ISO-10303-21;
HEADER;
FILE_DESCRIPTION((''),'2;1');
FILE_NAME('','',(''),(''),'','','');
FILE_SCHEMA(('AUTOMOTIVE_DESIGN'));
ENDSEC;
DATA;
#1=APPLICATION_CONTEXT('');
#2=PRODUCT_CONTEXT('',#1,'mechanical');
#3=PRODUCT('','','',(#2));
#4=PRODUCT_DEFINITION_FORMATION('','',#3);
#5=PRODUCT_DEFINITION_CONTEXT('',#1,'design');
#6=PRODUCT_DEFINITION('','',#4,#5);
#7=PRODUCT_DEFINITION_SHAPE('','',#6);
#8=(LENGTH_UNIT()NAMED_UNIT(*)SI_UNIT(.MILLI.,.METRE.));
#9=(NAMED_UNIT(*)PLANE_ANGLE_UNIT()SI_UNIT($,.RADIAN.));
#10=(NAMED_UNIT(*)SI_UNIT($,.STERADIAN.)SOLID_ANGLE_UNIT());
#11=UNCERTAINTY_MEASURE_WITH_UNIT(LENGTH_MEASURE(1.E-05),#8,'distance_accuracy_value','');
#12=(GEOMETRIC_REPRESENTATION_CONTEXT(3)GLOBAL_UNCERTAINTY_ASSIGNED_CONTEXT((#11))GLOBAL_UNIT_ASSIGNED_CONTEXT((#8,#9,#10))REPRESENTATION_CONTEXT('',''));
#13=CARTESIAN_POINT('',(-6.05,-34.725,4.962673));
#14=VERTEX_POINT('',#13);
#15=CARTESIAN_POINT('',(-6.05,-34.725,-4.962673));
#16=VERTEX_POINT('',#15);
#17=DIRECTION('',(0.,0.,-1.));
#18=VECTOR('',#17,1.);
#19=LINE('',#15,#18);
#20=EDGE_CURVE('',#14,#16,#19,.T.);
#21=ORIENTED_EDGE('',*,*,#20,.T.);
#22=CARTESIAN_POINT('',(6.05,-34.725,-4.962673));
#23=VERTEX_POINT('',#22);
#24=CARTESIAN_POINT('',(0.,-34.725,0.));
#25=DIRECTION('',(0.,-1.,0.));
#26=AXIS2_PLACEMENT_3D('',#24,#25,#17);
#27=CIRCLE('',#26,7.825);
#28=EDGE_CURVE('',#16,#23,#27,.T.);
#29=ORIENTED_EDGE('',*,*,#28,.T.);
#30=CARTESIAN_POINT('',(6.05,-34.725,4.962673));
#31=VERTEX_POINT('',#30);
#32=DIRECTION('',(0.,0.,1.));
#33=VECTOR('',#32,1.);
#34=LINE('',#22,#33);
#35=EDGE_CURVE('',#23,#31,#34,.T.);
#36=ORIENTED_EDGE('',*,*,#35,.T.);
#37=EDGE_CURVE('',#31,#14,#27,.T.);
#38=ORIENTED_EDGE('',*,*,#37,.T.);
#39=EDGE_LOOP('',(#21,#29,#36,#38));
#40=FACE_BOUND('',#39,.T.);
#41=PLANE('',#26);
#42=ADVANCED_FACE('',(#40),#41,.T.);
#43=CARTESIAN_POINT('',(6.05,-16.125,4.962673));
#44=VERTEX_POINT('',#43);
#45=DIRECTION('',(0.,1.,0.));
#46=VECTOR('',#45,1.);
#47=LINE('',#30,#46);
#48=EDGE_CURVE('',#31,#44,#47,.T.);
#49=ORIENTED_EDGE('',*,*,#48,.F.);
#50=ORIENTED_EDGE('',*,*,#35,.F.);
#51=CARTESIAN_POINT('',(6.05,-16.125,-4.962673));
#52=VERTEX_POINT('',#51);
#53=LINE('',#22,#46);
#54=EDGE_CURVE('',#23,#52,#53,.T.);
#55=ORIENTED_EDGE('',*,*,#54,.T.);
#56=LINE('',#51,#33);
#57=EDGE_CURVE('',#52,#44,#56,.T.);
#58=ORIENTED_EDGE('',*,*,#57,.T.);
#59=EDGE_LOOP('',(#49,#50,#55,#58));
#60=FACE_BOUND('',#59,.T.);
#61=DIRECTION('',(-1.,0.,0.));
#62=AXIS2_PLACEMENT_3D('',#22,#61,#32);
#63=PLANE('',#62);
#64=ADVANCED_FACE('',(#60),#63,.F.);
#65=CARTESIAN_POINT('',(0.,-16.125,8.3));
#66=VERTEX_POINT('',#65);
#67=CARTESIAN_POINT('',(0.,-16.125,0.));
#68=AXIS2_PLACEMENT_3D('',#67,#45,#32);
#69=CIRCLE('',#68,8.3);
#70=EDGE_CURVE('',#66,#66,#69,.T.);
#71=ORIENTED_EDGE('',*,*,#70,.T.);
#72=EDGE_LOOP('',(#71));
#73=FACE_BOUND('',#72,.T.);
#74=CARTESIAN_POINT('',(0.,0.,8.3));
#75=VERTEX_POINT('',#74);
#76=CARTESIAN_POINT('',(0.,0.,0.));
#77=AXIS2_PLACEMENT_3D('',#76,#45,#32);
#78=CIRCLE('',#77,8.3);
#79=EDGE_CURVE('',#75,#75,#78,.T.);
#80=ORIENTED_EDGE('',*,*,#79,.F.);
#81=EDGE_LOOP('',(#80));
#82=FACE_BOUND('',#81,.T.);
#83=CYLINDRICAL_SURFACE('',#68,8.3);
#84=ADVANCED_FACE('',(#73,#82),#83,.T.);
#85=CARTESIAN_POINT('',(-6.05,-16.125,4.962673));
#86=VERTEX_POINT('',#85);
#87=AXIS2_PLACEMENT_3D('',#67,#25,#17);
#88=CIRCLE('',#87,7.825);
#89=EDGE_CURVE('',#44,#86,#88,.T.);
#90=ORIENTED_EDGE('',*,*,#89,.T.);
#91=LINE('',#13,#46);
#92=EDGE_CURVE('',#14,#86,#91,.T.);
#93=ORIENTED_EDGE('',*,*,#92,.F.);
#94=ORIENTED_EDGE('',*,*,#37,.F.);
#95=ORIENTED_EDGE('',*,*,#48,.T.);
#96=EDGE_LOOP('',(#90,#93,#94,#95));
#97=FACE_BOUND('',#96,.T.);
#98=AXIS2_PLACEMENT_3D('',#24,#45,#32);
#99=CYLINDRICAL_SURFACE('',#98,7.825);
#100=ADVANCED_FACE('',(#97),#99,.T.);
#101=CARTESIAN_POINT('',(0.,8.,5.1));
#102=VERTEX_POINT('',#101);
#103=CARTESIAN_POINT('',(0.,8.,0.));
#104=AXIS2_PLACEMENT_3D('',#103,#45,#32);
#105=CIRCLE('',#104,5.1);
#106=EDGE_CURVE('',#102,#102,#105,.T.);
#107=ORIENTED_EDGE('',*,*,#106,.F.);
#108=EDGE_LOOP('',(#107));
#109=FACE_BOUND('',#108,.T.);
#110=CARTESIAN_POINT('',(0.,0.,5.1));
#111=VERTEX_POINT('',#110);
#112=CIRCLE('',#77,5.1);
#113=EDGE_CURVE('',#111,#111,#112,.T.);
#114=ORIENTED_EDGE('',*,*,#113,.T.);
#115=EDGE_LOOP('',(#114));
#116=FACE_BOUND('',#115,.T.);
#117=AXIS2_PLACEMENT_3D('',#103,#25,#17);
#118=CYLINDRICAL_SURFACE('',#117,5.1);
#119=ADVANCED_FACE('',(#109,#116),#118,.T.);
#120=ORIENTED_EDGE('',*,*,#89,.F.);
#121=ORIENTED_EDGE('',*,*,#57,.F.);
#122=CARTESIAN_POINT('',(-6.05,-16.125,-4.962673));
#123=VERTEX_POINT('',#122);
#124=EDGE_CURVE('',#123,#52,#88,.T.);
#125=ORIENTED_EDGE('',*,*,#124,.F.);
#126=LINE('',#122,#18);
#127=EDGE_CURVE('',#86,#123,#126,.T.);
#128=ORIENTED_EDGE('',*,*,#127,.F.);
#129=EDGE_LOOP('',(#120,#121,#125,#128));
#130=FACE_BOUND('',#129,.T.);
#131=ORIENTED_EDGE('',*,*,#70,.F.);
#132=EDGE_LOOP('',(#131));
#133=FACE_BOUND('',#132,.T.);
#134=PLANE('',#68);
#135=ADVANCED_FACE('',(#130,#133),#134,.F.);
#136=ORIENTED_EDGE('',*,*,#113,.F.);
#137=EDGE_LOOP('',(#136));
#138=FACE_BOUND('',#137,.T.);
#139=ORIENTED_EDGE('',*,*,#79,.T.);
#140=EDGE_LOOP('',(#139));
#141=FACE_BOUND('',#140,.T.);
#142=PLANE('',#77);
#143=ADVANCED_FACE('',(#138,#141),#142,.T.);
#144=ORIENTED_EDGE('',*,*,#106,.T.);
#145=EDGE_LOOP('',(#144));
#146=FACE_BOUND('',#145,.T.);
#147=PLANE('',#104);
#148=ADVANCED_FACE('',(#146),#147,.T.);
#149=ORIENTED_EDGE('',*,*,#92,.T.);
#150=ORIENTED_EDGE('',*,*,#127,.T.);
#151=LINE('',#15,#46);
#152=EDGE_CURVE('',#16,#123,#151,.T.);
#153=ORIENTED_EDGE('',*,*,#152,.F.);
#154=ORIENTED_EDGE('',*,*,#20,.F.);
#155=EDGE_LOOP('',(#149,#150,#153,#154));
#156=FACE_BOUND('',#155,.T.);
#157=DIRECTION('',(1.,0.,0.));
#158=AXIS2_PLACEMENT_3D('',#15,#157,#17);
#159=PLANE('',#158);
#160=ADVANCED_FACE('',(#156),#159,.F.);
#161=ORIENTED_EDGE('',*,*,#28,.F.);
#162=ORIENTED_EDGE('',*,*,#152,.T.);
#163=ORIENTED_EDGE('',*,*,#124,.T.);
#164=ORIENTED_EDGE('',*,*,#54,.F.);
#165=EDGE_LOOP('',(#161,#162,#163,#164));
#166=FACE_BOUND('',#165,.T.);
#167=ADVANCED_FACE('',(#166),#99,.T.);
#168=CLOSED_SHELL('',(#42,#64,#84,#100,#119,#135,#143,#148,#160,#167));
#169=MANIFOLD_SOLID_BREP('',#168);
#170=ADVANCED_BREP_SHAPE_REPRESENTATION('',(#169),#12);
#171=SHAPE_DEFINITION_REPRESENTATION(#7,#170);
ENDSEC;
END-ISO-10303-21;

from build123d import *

# Parameters (mm, degrees)
SKETCH1_R           = 8.3
BOSS_EXTRUDE1_DEPTH = 16.125
SKETCH2_R           = 5.1
BOSS_EXTRUDE2_DEPTH = 8
BOSS_EXTRUDE3_DEPTH = 18.6


with BuildPart() as part:
    # Sketch1 → Boss-Extrude1 (new body)
    with BuildSketch(Plane(origin=(0, 0, 0), x_dir=(1, 0, 0), z_dir=(0, 1, 0))):
        with Locations(Location((0, 0, 0), (0, 0, 270))):
            Circle(SKETCH1_R)
    extrude(amount=-BOSS_EXTRUDE1_DEPTH)

    # Sketch2 → Boss-Extrude2 (add)
    with BuildSketch(Plane(origin=(0, 0, 0), x_dir=(1, 0, 0), z_dir=(0, 1, 0))):
        with Locations(Location((0, 0, 0), (0, 0, 270))):
            Circle(SKETCH2_R)
    extrude(amount=BOSS_EXTRUDE2_DEPTH)

    # Sketch3 → Boss-Extrude3 (add)
    with BuildSketch(Plane.XZ.offset(16.125)):
        with BuildLine():
            Line((-6.05, -4.962673171), (-6.05, 4.962673171))
            ThreePointArc((-6.05, 4.962673171), (0, 7.825), (6.05, 4.962673171))
            Line((6.05, 4.962673171), (6.05, -4.962673171))
            ThreePointArc((6.05, -4.962673171), (0, -7.825), (-6.05, -4.962673171))
        make_face()
    extrude(amount=BOSS_EXTRUDE3_DEPTH)


solid = part.part
